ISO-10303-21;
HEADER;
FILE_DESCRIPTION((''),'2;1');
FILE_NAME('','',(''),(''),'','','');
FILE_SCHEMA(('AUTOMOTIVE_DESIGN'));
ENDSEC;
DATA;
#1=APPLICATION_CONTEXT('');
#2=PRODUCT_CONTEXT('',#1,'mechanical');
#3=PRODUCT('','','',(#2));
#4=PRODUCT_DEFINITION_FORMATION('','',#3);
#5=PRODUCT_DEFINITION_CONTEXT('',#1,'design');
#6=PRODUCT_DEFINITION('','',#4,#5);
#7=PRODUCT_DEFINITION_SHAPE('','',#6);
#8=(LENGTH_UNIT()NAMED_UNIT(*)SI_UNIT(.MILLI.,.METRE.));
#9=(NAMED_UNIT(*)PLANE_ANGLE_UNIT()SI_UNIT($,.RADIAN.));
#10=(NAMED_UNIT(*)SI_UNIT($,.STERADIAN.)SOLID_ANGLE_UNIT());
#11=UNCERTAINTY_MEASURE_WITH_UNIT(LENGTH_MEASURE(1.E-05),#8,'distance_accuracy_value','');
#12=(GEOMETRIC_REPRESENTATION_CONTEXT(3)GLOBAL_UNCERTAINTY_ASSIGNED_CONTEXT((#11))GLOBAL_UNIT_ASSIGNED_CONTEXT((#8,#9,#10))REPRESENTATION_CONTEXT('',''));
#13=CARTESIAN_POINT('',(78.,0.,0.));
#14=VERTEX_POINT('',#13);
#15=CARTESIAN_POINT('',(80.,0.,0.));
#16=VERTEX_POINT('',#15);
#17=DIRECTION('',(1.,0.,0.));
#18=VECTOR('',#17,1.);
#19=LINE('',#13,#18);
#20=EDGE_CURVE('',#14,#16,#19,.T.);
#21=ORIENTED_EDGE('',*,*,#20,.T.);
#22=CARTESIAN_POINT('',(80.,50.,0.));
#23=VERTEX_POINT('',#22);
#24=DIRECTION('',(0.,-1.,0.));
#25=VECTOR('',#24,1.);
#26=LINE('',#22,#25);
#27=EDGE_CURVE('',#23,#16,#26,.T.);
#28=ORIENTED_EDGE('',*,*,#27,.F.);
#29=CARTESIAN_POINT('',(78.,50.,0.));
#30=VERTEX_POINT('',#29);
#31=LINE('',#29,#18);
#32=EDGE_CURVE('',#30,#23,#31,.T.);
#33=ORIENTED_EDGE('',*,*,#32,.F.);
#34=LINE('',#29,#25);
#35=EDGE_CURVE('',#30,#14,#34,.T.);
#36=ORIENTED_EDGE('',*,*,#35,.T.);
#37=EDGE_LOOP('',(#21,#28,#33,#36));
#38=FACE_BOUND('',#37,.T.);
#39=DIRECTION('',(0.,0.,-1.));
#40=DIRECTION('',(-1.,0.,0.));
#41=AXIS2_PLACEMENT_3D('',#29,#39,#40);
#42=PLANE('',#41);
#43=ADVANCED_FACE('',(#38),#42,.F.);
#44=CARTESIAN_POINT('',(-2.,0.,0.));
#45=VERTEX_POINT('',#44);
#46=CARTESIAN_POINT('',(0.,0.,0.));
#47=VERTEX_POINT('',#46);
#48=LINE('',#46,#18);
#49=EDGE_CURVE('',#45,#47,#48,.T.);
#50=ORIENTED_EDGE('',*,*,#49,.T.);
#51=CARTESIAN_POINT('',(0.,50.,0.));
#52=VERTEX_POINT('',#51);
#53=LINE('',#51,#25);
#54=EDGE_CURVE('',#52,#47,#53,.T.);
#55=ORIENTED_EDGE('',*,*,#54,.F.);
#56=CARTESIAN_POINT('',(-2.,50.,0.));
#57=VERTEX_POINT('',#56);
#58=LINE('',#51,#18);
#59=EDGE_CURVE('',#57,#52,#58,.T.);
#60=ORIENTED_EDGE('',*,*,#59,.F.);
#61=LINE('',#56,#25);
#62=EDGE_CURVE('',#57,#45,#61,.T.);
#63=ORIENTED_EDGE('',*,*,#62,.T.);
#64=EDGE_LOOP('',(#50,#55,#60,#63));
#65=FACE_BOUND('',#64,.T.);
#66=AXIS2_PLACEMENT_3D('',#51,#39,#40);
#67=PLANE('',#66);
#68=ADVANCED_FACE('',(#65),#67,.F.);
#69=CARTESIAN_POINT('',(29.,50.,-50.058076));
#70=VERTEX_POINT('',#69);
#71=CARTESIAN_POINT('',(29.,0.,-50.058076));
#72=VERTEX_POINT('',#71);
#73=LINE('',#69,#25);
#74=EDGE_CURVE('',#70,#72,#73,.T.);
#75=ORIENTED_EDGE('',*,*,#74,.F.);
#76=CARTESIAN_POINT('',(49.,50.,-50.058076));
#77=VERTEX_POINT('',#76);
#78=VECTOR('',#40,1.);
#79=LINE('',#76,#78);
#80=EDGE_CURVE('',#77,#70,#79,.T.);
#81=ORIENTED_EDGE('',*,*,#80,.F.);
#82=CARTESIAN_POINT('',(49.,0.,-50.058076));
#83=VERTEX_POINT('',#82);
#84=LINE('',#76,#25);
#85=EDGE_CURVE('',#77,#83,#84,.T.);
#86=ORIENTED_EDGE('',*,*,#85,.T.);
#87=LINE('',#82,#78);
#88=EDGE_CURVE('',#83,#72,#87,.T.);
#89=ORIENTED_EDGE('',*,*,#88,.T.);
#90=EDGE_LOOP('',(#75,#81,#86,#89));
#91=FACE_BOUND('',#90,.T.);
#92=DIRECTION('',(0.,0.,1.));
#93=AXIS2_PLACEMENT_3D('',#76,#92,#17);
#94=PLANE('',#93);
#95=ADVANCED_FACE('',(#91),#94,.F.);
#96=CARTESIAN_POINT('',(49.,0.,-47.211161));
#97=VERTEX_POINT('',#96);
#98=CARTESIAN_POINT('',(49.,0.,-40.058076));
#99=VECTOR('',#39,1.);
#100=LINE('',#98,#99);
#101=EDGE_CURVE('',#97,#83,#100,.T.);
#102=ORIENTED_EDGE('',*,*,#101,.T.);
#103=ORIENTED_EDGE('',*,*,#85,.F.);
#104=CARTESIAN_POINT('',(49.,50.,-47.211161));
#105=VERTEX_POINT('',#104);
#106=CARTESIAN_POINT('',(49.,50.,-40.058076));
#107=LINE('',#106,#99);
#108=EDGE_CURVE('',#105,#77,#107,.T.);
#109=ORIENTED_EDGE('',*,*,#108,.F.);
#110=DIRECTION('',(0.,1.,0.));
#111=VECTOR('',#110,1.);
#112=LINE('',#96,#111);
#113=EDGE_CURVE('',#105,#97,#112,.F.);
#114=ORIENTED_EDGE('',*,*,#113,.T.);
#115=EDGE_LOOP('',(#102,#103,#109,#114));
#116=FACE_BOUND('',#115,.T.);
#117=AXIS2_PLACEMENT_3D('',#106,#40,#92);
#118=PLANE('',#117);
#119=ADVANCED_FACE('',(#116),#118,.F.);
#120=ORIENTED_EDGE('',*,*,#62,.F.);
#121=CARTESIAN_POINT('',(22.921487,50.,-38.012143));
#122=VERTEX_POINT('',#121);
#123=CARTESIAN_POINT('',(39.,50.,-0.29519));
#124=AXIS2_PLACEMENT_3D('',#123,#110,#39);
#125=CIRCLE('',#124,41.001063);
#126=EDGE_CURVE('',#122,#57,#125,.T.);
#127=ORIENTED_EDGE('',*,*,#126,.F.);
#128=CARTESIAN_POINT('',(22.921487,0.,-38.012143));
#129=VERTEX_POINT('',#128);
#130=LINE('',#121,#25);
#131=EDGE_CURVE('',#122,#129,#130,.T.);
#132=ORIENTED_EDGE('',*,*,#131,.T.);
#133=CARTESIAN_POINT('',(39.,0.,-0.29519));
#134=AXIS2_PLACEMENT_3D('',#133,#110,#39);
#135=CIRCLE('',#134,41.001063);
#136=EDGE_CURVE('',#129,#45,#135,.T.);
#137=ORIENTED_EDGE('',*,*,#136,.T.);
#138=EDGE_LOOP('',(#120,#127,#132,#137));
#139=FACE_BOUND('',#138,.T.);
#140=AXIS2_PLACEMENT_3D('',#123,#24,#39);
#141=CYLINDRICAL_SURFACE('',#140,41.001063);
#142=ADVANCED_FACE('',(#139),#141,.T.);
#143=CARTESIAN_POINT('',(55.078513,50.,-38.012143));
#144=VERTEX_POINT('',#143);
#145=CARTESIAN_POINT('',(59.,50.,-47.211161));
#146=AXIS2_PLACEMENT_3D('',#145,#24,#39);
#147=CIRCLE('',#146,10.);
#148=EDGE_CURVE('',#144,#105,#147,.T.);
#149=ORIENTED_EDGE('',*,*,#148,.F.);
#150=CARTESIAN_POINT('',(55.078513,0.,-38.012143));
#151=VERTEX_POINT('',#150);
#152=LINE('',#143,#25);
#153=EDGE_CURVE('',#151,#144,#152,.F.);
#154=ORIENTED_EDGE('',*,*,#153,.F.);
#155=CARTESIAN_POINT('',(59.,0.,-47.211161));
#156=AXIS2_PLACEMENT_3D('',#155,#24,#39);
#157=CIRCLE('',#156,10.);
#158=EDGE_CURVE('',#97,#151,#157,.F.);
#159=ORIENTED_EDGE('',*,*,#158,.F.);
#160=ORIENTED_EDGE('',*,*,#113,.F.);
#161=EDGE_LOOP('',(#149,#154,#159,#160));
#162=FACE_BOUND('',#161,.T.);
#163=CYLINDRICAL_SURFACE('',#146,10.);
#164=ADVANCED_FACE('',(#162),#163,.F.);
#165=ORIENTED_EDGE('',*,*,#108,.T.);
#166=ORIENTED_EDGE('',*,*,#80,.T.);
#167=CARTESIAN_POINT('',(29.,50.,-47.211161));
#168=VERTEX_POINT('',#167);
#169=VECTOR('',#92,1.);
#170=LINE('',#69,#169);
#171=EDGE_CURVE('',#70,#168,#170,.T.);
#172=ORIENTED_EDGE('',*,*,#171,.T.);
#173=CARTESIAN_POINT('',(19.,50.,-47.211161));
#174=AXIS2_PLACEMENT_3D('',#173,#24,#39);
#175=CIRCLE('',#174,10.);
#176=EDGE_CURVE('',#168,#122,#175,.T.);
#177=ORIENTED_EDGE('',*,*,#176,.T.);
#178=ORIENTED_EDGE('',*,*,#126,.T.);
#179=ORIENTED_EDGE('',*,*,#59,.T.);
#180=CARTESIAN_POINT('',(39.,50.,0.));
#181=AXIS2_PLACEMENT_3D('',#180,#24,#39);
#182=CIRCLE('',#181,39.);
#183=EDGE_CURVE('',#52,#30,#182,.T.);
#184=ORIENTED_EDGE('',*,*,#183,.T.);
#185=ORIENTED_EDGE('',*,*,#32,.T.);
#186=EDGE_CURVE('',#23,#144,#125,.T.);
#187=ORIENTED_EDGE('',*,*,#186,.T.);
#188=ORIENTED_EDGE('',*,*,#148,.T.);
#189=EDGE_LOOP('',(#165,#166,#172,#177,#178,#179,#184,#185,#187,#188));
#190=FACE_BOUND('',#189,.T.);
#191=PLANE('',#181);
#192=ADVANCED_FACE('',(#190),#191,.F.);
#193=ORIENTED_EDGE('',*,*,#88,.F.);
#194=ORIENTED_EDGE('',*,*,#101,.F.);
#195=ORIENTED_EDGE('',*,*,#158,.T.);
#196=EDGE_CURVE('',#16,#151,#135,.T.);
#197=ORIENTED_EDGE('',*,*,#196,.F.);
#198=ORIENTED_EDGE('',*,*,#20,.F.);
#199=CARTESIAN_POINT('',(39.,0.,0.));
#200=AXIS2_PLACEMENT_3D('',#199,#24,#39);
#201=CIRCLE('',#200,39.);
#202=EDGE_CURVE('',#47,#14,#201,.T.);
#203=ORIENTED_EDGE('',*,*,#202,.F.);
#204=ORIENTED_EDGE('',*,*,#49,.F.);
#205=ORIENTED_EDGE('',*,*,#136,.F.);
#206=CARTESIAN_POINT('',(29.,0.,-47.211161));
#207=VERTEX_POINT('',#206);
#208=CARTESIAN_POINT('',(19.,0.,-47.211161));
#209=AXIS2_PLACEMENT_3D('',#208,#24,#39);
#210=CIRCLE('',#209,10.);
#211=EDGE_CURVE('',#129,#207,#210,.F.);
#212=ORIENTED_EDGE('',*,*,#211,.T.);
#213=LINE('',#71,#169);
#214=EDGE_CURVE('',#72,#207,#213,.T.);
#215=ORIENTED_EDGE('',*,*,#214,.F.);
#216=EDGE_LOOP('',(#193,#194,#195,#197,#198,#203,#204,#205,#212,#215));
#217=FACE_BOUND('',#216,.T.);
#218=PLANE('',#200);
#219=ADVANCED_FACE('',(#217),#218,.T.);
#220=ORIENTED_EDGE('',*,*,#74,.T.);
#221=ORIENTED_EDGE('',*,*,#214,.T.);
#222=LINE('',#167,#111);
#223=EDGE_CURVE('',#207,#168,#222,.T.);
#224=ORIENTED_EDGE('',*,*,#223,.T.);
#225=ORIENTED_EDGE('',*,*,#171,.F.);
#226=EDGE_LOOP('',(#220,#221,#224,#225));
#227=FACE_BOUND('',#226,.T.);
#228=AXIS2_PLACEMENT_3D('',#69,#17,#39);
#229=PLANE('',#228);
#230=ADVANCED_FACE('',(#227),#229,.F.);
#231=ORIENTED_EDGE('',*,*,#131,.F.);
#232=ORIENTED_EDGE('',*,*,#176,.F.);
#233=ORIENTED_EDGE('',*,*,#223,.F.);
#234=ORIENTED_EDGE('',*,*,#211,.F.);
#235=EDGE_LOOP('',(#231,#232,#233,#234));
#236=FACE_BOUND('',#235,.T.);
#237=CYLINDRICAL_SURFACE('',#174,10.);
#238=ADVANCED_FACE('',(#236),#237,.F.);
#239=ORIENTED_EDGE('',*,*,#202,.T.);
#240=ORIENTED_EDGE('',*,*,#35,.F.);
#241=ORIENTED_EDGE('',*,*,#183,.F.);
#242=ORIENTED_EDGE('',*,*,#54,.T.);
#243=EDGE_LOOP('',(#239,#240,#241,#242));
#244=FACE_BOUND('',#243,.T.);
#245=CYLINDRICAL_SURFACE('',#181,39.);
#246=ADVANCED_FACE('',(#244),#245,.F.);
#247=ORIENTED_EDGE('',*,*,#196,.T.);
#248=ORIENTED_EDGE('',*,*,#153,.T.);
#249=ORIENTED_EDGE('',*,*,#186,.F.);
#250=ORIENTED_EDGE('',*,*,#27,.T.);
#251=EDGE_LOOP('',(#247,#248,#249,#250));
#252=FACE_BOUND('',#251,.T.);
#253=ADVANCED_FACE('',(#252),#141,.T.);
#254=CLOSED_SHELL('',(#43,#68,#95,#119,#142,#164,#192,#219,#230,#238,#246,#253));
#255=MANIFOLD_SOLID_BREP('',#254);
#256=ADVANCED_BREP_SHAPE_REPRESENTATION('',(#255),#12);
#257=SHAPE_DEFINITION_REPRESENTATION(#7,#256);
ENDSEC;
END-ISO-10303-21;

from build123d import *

# Parameters (mm, degrees)
BOSS_EXTRU_1_DEPTH = 50
CONG_1_R           = 10


with BuildPart() as part:
    # Esquisse1 → Boss.-Extru.1 (new body)
    with BuildSketch(Plane(origin=(0, 0, 0), x_dir=(1, 0, 0), z_dir=(0, 1, 0))):
        with BuildLine():
            Line((0, 0), (-2, 0))
            ThreePointArc((-2, 0), (6.574510491, 25.388511074), (29, 40.058076335))
            Line((29, 40.058076335), (29, 50.058076335))
            Line((29, 50.058076335), (49, 50.058076335))
            Line((49, 50.058076335), (49, 40.058076335))
            ThreePointArc((49, 40.058076335), (71.425489509, 25.388511074), (80, 0))
            Line((80, 0), (78, 0))
            ThreePointArc((78, 0), (39, 39), (0, 0))
        make_face()
    extrude(amount=BOSS_EXTRU_1_DEPTH)

    # Congé1
    cong_1_edges = [part.edges().sort_by_distance(p)[0] for p in [
        (29, 25, -40.058076335),
        (49, 25, -40.058076335),
    ]]
    fillet(cong_1_edges, radius=CONG_1_R)


solid = part.part
